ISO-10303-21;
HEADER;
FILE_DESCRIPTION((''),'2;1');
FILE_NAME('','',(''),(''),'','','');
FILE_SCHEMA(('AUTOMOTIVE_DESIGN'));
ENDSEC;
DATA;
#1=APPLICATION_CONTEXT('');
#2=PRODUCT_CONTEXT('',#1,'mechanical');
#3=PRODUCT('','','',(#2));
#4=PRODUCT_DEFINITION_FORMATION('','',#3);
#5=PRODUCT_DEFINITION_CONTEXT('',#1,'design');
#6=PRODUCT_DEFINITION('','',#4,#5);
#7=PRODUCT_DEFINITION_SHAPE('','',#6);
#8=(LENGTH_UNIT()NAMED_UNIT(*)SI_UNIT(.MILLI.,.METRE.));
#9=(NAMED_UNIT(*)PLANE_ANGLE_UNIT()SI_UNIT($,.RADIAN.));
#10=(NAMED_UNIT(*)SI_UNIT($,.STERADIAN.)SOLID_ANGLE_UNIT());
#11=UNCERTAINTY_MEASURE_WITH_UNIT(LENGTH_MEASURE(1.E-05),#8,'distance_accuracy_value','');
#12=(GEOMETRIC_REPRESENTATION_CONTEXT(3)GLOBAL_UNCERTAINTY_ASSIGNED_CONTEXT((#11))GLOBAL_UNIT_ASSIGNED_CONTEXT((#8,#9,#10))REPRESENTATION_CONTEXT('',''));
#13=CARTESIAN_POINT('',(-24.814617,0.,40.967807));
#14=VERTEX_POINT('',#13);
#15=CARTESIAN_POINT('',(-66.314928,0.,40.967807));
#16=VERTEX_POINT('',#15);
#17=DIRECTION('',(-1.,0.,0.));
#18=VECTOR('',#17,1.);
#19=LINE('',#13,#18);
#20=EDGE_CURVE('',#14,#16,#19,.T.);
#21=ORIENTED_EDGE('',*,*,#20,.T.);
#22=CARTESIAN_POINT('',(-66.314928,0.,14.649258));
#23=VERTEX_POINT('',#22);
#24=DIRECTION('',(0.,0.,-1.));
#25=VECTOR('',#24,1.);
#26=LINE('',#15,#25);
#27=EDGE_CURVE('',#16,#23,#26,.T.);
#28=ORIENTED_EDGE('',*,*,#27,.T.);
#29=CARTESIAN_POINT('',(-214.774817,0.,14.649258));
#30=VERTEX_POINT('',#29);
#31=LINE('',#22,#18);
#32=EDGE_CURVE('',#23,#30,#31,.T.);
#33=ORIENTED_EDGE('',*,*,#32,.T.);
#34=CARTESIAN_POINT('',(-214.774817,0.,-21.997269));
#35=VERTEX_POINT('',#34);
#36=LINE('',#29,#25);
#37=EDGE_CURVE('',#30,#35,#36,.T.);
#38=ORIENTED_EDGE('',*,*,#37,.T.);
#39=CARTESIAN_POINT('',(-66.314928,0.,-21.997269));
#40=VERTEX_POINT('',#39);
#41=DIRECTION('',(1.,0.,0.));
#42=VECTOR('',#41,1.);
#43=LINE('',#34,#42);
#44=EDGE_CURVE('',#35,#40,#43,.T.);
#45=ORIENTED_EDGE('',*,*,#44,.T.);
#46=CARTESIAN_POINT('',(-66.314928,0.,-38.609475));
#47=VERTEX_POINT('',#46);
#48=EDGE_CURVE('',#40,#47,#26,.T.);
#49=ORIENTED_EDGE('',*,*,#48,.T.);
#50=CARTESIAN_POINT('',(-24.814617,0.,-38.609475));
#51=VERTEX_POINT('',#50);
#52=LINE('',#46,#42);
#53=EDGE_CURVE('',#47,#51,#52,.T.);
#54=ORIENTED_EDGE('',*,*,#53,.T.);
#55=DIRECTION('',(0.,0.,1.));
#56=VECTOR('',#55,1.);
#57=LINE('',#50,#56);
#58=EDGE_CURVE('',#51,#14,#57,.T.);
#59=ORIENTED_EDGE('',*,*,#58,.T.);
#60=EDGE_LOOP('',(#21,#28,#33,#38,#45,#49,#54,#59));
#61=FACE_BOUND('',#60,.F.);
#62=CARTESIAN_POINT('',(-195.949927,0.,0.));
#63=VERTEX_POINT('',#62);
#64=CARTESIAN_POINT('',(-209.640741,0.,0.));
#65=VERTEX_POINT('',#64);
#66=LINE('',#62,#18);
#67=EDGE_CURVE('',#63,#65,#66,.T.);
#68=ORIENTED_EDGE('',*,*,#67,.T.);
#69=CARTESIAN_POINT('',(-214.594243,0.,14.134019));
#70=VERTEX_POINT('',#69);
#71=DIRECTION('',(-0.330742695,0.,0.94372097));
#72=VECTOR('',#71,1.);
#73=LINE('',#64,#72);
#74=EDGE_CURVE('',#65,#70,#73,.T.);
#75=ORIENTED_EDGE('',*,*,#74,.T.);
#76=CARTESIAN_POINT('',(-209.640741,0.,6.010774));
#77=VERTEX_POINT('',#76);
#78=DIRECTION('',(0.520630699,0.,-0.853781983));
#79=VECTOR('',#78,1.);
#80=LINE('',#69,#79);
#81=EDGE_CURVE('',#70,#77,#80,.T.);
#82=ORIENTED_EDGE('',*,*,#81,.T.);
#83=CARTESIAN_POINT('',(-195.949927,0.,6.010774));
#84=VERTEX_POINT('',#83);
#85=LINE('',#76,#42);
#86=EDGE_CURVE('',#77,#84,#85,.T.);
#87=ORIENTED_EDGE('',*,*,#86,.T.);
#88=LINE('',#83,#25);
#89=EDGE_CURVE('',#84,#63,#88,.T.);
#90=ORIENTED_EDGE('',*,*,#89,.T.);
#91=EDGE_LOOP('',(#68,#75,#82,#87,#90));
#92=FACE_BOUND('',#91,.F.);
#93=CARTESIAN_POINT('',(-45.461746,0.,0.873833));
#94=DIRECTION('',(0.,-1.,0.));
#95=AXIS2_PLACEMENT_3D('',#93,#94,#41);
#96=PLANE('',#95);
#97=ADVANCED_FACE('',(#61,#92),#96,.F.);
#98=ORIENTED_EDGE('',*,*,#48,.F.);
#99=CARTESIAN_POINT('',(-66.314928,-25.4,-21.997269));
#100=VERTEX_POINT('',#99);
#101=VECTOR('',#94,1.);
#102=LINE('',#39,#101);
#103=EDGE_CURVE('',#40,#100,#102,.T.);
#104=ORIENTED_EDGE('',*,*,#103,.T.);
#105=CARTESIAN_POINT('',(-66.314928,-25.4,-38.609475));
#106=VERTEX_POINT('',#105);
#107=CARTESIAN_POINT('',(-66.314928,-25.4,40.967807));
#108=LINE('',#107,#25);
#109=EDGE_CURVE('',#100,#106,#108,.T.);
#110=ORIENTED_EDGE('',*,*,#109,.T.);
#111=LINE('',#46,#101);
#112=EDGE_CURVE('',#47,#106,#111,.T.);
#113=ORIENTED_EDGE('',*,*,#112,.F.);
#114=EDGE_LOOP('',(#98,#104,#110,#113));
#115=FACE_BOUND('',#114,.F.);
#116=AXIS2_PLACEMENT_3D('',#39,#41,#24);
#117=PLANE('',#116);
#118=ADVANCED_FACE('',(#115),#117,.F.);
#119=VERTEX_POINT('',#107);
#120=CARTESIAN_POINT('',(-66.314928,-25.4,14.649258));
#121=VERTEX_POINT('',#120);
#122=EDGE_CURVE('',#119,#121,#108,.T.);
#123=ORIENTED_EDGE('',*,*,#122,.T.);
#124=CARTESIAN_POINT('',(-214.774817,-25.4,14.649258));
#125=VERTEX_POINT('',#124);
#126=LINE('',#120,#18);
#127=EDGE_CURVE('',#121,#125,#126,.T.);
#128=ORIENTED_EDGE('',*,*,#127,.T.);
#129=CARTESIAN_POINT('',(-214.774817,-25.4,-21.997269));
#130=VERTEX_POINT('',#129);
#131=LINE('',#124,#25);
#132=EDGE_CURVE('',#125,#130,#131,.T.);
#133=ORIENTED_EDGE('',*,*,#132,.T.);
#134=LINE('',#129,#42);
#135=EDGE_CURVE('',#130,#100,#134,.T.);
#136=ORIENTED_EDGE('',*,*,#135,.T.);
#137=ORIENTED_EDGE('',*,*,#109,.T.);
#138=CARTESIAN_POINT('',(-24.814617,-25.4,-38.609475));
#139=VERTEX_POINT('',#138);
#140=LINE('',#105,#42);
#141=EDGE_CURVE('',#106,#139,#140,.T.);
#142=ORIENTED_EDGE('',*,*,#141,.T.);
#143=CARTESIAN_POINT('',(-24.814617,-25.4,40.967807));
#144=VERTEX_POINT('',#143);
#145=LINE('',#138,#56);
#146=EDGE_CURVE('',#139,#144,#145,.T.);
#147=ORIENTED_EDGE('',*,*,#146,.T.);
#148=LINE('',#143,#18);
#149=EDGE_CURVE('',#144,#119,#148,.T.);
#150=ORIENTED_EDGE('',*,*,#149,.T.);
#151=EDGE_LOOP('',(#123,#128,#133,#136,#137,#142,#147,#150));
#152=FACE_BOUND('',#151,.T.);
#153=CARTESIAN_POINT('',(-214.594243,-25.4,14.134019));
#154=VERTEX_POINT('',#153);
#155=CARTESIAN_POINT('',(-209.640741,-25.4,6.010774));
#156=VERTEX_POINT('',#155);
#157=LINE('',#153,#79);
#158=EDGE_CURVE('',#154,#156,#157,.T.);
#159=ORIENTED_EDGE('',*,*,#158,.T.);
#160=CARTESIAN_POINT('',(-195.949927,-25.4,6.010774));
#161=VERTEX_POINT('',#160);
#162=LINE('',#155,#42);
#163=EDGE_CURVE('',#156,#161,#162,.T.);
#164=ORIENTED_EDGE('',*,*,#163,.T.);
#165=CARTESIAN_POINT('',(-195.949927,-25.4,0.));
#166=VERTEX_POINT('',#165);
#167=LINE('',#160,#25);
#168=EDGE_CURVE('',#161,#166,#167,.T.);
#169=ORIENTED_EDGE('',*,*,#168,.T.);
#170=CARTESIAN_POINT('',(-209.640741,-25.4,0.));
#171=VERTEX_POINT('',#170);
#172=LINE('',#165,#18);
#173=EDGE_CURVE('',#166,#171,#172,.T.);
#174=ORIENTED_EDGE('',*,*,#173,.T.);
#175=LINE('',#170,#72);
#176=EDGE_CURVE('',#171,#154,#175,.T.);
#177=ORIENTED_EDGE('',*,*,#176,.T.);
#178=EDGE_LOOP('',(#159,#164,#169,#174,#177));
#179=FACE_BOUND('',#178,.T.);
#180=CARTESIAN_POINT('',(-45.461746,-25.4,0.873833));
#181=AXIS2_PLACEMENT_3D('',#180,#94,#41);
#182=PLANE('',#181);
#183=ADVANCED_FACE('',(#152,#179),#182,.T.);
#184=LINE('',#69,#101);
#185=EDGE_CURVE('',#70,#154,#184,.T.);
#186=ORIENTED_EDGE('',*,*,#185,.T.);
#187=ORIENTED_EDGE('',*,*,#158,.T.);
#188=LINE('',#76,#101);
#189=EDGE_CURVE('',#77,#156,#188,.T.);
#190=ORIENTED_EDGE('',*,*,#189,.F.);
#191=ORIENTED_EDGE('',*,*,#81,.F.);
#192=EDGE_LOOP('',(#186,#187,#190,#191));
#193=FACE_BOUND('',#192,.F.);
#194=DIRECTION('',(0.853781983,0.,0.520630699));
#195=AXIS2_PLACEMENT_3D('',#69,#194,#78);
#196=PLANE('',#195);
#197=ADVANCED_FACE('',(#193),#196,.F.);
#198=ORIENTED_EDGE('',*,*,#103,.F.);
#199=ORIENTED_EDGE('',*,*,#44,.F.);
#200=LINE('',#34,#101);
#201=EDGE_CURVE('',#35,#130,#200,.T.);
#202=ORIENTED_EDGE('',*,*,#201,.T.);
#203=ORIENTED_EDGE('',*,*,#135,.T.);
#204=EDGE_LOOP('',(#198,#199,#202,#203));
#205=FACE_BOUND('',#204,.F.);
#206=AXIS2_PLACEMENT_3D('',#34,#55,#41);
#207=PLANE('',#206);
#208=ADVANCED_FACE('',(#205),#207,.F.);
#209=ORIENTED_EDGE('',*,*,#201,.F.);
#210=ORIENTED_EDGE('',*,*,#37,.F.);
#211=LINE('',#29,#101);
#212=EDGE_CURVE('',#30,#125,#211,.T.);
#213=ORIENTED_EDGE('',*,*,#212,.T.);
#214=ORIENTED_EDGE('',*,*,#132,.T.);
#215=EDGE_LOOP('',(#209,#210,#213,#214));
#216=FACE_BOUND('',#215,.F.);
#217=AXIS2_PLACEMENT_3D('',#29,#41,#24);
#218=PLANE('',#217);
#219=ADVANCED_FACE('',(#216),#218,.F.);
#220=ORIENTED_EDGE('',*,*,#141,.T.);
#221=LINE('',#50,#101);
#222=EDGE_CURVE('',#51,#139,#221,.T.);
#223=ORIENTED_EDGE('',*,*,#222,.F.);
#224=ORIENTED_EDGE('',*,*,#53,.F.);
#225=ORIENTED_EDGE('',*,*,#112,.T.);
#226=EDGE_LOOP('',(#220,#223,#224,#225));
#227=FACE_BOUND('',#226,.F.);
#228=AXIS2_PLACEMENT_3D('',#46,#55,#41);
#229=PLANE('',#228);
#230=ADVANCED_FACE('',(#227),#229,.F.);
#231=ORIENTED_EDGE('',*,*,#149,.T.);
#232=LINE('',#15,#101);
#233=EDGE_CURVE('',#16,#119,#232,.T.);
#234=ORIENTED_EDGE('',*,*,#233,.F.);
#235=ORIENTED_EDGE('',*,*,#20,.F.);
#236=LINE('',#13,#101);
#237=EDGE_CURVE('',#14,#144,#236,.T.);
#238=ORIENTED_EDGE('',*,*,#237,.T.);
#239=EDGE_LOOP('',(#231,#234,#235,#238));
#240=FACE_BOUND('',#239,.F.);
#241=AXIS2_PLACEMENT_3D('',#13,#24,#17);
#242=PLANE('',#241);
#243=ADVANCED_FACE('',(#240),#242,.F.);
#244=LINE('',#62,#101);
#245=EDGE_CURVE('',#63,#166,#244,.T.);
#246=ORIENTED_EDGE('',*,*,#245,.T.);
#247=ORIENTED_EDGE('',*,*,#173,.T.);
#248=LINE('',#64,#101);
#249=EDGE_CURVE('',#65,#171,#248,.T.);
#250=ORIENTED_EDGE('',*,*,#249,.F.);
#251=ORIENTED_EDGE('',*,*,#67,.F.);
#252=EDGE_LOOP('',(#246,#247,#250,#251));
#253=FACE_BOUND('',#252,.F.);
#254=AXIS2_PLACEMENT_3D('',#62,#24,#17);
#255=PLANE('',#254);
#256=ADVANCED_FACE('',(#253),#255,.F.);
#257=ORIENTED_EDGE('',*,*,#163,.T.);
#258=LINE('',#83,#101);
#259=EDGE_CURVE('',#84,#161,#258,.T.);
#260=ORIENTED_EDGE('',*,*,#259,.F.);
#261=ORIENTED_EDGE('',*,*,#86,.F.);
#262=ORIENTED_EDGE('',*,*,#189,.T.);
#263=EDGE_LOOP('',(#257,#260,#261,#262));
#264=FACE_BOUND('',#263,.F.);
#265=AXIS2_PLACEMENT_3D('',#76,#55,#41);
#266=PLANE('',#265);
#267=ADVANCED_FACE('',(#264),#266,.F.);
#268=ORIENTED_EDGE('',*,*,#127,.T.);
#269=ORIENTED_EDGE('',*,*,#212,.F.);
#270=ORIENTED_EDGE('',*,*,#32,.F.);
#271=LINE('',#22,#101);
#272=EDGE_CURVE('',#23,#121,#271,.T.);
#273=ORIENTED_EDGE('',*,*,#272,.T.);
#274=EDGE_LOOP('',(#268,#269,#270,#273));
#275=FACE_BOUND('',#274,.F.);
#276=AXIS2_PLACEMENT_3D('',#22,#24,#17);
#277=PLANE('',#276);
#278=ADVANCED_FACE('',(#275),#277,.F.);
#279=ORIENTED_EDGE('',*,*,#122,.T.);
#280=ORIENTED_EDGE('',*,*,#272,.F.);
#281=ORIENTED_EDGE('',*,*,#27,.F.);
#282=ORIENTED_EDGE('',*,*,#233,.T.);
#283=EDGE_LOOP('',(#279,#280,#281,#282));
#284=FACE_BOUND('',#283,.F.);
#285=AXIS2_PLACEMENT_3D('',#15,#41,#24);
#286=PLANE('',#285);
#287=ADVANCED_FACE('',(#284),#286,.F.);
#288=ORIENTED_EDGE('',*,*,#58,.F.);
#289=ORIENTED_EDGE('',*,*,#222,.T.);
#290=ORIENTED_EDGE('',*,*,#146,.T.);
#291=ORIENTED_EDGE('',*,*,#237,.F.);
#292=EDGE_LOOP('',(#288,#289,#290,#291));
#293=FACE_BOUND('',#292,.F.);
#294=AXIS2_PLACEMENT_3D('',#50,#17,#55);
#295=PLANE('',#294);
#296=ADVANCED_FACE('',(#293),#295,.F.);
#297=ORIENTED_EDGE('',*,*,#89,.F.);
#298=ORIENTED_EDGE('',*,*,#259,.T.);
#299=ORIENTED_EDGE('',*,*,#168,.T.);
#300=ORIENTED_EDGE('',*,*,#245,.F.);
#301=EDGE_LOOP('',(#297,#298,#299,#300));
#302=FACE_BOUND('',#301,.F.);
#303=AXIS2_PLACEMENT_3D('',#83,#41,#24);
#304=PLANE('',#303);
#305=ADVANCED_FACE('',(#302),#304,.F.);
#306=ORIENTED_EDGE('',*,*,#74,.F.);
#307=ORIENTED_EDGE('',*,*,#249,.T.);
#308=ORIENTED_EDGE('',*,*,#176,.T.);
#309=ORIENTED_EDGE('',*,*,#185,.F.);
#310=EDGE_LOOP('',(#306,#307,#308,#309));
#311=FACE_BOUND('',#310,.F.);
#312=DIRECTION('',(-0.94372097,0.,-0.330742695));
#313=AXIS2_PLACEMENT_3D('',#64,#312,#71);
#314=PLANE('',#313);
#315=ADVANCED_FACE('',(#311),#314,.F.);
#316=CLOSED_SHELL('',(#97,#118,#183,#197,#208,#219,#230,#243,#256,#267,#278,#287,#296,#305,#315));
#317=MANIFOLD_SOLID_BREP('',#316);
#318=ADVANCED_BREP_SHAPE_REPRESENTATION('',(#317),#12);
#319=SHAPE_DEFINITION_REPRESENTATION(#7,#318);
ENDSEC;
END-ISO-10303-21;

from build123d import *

# Parameters (mm, degrees)
F0_W     = 8.1289224327
F0_H     = 36.6465272382
F1_DEPTH = 25.4


with BuildPart() as f1:
    # F0 (on Front) → F1 (new body)
    with BuildSketch(Plane.XZ):
        Polygon((-24.8146168888, 40.9678071737), (-66.3149282336, 40.9678071737), (-66.3149282336, 14.6492579952), (-58.186005801, 14.6492579952), (-58.186005801, -21.997269243), (-66.3149282336, -21.997269243), (-66.3149282336, -38.6094748974), (-24.8146168888, -38.6094748974), align=None)
        with Locations((-62.2504670173, -3.6740056239)):
            Rectangle(F0_W, F0_H)
        Polygon((-66.3149282336, -21.997269243), (-66.3149282336, 14.6492579952), (-214.7748172283, 14.6492579952), (-214.5942430103, 14.1340185696), (-209.6407413483, 6.0107740574), (-195.9499269724, 6.0107740574), (-195.9499269724, 0), (-171.5631484985, -21.997269243), align=None)
        Polygon((-214.5942430103, 14.1340185696), (-214.7748172283, 14.6492579952), (-214.7748172283, 14.4301421254), align=None)
        Polygon((-214.7748172283, -21.997269243), (-171.5631484985, -21.997269243), (-195.9499269724, 0), (-209.6407413483, 0), (-214.5942430103, 14.1340185696), (-214.7748172283, 14.4301421254), align=None)
    extrude(amount=F1_DEPTH)


solid = f1.part
